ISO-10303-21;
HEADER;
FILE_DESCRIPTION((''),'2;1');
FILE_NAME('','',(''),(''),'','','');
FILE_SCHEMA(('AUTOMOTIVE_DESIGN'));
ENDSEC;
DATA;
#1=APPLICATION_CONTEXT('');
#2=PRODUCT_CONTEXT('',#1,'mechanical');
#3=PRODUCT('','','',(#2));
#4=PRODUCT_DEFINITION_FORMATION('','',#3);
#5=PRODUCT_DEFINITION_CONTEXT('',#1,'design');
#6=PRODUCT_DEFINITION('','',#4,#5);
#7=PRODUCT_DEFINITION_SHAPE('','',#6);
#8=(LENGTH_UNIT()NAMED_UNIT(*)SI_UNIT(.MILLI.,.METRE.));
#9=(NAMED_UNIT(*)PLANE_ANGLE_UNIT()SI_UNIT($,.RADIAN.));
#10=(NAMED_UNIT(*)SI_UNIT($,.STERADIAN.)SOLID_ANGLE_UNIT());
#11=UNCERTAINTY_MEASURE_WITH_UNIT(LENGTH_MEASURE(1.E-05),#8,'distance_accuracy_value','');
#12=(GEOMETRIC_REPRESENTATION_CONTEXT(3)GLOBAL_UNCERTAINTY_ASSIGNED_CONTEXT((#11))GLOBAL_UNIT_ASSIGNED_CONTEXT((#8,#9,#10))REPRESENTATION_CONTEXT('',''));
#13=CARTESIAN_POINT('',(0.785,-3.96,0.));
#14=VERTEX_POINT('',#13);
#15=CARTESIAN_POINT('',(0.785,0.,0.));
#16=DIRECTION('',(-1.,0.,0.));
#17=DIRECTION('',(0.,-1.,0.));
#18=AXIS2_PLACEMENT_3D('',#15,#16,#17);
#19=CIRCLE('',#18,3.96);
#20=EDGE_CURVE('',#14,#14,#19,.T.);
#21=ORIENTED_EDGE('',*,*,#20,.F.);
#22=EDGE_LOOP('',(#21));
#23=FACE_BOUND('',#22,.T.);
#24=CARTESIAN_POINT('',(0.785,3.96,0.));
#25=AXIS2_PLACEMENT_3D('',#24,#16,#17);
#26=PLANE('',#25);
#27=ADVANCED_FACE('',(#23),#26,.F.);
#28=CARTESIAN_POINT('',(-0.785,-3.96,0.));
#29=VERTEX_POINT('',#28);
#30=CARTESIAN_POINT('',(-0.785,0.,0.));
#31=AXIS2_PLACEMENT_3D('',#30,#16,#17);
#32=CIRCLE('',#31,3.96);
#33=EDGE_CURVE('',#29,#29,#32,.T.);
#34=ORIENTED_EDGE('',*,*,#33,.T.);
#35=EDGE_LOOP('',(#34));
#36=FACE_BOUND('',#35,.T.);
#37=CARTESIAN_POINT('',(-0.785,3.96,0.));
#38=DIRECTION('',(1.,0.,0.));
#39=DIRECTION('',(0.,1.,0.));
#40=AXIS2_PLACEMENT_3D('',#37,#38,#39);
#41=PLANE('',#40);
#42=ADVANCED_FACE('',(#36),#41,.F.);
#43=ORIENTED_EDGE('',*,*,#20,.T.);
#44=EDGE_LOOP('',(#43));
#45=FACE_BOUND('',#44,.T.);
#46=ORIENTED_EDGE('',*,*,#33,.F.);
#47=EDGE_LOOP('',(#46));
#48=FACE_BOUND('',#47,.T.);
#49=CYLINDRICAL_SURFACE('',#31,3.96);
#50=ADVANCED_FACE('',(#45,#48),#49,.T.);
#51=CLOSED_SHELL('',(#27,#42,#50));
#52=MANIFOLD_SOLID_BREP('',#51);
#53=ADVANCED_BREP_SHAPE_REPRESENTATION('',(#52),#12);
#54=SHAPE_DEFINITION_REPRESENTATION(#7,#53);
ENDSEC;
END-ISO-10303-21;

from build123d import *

# Parameters (mm, degrees)
SKETCH1_W = 1.57
SKETCH1_H = 3.96


with BuildPart() as part:
    # Sketch1 → Revolve1 (revolve)
    with BuildSketch(Plane.XY, mode=Mode.PRIVATE) as revolve1_sk:
        with Locations((0, 1.98)):
            Rectangle(SKETCH1_W, SKETCH1_H)
    revolve(revolve1_sk.sketch.rotate(Axis((-0.785, 0, 0), (1, 0, 0)), 180), axis=Axis((-0.785, 0, 0), (1, 0, 0)))


solid = part.part
